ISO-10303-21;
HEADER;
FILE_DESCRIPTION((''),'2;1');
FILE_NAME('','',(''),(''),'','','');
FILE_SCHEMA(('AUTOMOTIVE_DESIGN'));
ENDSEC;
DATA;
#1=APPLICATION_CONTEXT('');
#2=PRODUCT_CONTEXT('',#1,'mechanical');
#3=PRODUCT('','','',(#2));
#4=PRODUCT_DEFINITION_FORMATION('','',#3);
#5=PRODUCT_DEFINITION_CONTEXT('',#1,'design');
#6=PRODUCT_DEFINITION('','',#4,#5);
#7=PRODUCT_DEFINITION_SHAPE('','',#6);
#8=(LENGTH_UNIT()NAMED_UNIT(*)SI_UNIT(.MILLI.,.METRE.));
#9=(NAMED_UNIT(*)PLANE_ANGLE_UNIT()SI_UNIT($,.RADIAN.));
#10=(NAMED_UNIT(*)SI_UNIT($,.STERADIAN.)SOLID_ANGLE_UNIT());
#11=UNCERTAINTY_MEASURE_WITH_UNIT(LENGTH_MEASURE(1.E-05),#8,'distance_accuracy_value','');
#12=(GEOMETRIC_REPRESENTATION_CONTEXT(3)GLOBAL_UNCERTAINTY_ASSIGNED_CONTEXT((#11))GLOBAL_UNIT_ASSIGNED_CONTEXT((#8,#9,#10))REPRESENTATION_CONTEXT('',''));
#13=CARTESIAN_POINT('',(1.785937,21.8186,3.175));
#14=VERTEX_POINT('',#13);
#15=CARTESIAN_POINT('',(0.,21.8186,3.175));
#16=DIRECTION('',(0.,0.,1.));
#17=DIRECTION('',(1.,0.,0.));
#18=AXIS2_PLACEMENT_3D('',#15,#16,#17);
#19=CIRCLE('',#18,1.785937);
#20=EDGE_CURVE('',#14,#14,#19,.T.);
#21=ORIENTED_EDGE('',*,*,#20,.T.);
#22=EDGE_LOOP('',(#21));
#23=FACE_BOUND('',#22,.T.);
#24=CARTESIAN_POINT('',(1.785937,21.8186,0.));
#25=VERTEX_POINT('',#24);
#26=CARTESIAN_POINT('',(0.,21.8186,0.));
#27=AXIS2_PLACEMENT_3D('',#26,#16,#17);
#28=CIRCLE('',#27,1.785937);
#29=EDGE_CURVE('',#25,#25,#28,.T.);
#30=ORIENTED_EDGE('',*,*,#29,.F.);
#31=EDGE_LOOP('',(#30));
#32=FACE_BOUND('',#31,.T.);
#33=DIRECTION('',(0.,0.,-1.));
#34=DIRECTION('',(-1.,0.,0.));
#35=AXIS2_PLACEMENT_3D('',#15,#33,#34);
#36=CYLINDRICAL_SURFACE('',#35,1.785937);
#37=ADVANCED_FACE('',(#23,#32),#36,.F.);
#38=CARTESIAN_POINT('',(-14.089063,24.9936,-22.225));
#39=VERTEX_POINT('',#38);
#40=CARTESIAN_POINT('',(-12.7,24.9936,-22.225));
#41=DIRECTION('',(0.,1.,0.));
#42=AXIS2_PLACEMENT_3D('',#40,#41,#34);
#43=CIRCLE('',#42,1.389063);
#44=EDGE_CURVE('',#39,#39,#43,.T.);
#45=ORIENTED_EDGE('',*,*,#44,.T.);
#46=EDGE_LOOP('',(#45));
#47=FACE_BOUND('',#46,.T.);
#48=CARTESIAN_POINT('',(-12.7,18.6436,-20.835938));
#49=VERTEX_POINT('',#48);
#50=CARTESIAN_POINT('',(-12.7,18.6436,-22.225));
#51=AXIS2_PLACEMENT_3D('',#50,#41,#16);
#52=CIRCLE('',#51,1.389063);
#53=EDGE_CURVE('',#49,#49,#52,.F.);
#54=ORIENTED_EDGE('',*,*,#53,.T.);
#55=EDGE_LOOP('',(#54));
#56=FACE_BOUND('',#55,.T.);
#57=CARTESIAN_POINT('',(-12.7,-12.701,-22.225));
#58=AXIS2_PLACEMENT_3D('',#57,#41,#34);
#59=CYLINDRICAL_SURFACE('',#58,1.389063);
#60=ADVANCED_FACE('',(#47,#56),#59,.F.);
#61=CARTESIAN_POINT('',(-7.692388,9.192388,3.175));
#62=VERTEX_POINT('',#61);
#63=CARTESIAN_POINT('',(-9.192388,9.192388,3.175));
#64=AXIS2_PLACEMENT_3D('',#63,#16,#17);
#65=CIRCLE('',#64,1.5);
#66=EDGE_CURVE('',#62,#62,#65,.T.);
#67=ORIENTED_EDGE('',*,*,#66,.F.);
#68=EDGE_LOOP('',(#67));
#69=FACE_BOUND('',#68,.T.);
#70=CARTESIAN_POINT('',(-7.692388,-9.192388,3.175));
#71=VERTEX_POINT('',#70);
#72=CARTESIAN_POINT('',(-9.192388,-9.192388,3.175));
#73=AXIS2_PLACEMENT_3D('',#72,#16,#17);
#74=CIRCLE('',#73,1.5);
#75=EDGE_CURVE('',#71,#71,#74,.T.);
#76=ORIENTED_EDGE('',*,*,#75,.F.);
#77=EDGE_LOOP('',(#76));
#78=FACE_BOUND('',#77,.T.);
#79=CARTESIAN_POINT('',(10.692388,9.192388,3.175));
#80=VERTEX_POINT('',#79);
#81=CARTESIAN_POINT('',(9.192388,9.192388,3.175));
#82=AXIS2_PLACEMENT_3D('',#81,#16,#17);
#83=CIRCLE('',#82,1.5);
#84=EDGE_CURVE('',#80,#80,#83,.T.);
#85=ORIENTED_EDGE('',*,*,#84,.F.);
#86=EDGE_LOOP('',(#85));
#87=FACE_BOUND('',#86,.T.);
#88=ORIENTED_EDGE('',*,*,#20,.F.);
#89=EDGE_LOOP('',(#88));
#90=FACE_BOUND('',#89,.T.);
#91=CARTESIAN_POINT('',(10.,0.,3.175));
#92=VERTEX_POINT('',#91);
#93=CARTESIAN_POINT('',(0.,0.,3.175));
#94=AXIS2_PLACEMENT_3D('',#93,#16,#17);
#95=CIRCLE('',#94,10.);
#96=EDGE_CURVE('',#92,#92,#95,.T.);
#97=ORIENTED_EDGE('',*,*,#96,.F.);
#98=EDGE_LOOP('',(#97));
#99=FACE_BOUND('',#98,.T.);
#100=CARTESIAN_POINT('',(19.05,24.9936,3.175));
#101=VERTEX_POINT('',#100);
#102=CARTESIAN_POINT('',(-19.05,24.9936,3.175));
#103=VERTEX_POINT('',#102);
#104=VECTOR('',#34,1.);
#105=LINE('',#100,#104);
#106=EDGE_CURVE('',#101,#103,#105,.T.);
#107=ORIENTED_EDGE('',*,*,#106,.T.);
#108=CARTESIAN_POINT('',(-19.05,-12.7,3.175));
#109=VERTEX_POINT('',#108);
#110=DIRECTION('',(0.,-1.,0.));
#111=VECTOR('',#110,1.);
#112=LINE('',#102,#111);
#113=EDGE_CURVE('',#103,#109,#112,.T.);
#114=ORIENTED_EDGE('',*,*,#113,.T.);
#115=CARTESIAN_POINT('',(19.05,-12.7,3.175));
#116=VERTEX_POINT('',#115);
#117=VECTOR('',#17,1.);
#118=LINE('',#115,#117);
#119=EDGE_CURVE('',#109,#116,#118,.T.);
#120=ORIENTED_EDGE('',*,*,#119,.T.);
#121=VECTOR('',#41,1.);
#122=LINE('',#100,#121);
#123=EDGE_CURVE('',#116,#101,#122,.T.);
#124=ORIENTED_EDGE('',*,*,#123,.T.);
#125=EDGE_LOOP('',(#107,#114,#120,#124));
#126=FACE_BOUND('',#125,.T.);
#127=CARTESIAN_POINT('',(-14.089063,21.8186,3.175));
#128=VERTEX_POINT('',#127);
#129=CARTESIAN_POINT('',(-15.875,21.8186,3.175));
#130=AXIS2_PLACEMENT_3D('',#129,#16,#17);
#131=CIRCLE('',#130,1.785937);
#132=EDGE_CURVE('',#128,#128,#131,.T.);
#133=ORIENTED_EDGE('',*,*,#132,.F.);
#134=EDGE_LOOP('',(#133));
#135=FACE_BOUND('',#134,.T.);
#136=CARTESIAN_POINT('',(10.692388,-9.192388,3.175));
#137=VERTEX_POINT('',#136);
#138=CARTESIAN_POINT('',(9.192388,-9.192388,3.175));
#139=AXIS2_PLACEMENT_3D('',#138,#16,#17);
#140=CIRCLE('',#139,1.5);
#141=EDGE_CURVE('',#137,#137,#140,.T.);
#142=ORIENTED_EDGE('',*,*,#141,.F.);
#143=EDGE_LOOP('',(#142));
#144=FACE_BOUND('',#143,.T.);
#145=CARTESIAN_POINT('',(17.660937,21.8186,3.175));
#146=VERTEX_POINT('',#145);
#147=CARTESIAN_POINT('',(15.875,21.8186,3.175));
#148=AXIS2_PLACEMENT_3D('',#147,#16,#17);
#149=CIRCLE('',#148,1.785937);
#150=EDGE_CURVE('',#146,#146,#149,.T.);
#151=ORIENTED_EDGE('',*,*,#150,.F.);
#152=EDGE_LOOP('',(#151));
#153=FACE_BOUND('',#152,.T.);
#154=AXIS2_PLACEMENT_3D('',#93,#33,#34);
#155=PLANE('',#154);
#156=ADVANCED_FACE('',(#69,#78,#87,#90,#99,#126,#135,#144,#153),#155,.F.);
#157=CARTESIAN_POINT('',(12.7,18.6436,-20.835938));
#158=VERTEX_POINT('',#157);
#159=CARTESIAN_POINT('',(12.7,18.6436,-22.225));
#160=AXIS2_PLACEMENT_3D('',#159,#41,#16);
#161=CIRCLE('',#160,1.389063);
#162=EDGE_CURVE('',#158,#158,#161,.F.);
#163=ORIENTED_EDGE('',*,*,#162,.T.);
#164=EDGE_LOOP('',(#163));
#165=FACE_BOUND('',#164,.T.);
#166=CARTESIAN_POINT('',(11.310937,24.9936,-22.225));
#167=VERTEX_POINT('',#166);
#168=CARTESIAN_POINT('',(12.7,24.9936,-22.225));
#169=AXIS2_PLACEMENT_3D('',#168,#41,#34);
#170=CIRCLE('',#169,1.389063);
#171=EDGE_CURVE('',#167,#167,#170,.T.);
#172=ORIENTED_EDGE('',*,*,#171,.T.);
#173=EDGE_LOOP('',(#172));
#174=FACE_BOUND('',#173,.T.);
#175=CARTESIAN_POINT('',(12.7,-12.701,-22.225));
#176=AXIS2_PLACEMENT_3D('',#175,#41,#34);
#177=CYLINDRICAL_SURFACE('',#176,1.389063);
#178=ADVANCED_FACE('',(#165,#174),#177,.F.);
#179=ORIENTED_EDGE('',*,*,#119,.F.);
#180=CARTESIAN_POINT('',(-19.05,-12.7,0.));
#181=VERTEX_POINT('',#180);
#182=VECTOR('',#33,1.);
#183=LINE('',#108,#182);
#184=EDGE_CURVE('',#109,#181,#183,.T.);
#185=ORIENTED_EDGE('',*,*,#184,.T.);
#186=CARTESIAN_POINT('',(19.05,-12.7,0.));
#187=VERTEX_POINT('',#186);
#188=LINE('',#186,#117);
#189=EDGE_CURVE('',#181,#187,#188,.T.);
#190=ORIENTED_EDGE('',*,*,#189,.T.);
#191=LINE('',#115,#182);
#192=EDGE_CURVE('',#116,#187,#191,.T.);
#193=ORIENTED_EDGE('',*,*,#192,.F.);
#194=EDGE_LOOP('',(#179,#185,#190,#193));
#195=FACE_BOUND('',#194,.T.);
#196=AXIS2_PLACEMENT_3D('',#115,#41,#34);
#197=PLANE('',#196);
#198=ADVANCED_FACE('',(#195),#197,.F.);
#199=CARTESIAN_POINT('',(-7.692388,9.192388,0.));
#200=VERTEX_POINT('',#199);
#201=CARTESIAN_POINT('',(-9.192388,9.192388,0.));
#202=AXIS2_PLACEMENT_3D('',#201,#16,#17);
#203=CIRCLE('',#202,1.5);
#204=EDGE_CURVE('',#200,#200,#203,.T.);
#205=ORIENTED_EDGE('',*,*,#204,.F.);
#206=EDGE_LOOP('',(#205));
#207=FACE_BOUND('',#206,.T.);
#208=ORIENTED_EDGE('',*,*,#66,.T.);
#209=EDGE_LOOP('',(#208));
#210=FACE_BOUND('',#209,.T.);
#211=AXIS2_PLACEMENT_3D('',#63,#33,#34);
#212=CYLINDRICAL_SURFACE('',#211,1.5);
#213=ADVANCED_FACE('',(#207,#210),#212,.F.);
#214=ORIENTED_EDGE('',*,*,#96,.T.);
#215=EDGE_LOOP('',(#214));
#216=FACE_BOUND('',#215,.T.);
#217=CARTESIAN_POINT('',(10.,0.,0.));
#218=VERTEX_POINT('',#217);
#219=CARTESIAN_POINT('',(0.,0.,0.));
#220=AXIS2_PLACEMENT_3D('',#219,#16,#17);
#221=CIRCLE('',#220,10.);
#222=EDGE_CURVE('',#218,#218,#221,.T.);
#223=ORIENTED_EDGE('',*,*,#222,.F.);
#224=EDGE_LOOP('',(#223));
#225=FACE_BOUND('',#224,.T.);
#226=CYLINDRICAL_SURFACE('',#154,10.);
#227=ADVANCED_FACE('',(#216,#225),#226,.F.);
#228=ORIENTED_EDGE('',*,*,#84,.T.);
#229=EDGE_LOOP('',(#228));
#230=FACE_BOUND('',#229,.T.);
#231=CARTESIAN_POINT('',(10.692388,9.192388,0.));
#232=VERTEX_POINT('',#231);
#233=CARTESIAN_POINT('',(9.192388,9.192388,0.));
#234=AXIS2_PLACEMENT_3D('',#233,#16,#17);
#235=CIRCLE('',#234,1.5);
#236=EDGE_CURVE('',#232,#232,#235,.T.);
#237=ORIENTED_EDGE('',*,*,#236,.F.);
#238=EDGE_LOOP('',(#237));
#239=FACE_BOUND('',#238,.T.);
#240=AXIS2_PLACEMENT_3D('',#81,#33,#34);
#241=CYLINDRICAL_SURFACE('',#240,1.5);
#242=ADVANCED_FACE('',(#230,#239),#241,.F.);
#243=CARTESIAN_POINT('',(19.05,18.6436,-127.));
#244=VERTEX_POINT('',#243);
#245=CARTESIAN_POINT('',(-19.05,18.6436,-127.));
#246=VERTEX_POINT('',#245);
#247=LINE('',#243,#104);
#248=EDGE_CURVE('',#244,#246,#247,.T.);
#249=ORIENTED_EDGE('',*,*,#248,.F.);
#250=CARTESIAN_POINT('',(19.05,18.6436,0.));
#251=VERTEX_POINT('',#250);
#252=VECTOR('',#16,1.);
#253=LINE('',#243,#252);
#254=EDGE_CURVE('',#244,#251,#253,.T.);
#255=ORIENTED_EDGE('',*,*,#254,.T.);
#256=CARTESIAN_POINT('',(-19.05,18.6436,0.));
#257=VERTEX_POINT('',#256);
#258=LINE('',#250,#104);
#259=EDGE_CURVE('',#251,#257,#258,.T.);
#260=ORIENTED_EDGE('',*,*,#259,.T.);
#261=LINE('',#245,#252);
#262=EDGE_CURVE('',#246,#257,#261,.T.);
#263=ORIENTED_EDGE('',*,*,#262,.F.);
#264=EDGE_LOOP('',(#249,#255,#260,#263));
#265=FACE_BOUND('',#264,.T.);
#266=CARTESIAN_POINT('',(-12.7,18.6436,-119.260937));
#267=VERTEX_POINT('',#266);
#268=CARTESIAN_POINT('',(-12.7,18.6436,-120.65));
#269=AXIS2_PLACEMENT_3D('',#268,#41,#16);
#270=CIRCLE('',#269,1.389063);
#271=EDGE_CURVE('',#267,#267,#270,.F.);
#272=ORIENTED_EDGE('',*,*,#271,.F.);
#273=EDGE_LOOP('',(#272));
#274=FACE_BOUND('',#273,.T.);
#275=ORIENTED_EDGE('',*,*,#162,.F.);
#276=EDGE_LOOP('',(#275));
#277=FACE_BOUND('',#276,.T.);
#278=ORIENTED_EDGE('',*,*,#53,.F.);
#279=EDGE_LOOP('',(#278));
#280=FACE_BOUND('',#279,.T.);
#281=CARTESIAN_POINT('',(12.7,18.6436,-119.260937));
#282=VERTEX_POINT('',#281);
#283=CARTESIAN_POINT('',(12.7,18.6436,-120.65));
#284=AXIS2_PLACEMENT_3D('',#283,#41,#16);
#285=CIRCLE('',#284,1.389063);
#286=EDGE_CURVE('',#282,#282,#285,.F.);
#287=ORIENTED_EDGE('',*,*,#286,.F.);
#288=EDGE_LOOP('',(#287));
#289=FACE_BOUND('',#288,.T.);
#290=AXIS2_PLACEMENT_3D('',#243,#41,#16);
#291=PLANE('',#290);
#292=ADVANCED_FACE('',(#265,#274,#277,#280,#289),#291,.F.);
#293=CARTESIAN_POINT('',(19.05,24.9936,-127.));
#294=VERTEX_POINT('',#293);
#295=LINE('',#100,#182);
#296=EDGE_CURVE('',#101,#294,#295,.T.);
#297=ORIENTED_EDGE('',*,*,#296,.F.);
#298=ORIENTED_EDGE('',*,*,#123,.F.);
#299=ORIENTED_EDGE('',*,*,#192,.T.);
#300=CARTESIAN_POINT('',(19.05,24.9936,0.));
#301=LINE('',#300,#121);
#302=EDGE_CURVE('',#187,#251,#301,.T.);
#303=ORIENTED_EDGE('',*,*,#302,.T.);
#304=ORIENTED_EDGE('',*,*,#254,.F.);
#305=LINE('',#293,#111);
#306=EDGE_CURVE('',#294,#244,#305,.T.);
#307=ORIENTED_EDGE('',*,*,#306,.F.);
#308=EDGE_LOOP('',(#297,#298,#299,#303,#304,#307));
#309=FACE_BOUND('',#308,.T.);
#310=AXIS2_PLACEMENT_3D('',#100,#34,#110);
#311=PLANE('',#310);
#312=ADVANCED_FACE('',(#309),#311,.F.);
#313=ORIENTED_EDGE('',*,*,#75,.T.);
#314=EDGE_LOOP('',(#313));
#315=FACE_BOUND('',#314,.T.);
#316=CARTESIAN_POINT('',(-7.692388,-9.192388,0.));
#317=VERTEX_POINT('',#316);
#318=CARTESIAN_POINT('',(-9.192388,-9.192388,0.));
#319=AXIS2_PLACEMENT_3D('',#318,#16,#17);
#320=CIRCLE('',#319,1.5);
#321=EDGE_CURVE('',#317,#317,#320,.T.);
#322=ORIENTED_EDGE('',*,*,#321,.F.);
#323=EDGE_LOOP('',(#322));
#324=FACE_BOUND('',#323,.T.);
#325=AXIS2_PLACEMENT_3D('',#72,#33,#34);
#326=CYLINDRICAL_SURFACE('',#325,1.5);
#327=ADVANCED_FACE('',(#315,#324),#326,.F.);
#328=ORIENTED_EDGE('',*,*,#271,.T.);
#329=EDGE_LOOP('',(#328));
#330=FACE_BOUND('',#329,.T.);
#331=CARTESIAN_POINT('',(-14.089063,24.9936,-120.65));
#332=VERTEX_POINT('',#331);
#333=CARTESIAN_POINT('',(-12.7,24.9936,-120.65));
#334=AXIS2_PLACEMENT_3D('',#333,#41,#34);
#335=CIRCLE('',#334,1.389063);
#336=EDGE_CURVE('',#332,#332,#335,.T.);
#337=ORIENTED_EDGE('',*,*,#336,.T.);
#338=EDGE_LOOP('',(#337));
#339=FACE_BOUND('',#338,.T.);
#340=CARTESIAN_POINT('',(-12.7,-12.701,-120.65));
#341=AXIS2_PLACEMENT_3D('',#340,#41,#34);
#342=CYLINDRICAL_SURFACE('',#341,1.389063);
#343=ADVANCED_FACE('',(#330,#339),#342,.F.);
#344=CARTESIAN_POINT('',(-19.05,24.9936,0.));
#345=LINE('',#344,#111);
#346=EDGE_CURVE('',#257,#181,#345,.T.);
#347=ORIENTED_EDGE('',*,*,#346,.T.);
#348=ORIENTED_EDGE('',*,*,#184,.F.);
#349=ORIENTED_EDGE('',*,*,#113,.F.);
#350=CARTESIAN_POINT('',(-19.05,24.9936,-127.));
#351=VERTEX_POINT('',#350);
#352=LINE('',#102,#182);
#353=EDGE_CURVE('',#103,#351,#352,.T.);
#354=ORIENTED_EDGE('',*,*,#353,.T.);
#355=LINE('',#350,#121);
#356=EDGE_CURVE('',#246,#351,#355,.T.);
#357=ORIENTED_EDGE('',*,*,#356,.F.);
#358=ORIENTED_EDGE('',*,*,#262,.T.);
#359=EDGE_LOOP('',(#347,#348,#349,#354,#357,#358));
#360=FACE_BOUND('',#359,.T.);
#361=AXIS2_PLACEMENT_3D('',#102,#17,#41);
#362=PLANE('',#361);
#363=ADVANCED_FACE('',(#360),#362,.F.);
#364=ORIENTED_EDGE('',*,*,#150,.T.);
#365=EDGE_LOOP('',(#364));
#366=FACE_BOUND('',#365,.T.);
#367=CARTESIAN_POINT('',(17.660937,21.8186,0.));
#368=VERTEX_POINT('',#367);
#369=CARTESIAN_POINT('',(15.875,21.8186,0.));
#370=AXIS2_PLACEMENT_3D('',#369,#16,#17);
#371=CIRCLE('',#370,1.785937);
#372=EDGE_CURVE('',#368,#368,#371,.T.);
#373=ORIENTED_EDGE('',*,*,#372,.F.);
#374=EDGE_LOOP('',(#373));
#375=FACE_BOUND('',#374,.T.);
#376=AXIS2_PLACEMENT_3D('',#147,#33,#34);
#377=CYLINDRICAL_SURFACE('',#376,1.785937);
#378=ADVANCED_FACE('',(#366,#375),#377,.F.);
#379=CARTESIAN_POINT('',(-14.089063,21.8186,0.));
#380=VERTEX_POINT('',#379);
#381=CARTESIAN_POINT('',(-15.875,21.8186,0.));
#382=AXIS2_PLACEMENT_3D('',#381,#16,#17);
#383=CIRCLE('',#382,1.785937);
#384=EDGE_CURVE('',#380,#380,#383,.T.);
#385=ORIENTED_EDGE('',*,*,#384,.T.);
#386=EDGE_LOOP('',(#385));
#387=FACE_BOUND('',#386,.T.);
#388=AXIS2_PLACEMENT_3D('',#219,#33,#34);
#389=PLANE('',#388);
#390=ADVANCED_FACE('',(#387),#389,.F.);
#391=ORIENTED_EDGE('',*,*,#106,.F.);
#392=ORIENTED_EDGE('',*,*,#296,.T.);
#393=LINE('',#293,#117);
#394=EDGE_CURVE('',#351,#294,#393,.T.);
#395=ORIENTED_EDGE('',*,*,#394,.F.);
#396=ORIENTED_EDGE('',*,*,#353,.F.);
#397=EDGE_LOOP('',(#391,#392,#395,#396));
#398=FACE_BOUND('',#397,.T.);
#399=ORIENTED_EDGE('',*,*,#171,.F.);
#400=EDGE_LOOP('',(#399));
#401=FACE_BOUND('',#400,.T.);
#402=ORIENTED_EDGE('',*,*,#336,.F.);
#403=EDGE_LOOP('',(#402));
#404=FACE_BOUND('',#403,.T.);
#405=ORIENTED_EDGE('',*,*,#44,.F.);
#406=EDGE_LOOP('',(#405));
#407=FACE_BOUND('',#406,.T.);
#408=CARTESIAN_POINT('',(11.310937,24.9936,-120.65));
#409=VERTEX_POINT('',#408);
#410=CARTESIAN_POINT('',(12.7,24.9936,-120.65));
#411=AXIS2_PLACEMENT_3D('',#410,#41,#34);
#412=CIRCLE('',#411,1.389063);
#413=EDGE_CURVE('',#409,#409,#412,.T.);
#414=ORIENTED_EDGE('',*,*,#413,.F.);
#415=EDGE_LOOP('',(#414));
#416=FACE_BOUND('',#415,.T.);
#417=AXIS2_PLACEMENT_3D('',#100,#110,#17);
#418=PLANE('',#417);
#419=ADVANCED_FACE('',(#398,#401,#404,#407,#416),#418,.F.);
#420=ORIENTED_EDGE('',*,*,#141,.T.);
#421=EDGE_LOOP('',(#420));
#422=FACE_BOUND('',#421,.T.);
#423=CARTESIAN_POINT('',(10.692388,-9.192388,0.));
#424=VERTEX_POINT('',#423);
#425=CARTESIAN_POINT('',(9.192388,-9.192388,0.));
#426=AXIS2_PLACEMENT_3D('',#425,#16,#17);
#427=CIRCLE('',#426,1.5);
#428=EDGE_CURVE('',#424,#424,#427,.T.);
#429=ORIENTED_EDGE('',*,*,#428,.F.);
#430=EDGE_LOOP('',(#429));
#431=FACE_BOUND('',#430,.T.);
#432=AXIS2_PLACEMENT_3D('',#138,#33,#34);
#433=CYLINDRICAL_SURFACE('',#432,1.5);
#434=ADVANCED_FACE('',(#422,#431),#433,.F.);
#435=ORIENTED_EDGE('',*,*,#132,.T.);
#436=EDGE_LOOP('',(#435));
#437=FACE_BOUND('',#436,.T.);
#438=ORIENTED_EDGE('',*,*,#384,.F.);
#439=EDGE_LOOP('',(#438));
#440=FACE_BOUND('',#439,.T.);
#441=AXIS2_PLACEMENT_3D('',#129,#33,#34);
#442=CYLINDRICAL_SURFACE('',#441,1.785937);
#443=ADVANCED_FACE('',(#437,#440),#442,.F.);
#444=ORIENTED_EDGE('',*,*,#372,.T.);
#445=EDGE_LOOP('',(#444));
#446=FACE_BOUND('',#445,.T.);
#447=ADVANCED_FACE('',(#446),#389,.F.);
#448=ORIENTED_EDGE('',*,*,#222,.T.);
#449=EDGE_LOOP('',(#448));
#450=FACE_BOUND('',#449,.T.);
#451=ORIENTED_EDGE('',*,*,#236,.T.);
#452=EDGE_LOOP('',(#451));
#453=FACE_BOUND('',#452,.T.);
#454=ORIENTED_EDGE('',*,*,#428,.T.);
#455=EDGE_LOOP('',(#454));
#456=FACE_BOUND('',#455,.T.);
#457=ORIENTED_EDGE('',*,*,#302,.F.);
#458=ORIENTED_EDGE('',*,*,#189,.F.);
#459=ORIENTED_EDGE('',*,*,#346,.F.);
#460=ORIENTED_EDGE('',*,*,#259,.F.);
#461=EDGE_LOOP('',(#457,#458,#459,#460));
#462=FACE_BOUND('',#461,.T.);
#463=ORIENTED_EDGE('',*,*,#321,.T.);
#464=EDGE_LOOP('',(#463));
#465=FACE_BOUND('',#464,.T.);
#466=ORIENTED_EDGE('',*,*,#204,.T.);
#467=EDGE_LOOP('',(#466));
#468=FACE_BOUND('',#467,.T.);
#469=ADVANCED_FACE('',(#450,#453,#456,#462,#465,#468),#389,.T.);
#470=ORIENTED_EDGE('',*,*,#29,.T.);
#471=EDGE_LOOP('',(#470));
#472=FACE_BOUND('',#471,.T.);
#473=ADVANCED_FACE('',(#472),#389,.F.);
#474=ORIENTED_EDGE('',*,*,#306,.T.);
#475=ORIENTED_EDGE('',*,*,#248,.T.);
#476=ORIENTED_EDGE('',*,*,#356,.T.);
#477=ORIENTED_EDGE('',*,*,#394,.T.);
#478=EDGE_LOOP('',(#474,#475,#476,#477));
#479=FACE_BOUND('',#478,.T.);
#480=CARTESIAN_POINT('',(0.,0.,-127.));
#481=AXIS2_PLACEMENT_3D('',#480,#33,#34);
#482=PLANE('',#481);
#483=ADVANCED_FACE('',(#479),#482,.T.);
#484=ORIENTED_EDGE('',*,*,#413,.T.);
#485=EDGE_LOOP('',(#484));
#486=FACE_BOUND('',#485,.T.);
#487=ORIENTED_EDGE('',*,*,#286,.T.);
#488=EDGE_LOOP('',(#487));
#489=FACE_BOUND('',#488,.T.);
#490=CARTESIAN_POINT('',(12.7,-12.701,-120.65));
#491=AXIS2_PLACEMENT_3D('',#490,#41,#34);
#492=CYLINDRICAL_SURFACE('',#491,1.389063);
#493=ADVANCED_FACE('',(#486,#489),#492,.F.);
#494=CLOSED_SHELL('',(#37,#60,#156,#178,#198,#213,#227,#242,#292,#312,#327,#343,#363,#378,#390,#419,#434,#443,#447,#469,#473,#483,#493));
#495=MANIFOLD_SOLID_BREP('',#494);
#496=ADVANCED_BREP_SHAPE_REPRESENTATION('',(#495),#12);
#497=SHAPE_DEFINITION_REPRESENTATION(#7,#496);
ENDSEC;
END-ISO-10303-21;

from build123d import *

# Parameters (mm, degrees)
SKETCH1_W           = 38.1
SKETCH1_H           = 37.6936
SKETCH1_R           = 10
SKETCH1_R_2         = 1.5
SKETCH1_R_3         = 1.7859375
BOSS_EXTRUDE1_DEPTH = 3.175
SKETCH2_W           = 38.1
SKETCH2_H           = 6.35
BOSS_EXTRUDE2_DEPTH = 127
CUT_EXTRUDE1_REACH  = 135.838
SKETCH3_R           = 1.3890625


with BuildPart() as part:
    # Sketch1 → Boss-Extrude1 (new body)
    with BuildSketch(Plane.XY):
        with Locations((0, 6.1468)):
            Rectangle(SKETCH1_W, SKETCH1_H)
        Circle(SKETCH1_R, mode=Mode.SUBTRACT)
        with Locations((-9.192388155, 9.192388155)):
            Circle(SKETCH1_R_2, mode=Mode.SUBTRACT)
        with Locations((9.192388155, 9.192388155)):
            Circle(SKETCH1_R_2, mode=Mode.SUBTRACT)
        with Locations((9.192388155, -9.192388155)):
            Circle(SKETCH1_R_2, mode=Mode.SUBTRACT)
        with Locations((-9.192388155, -9.192388155)):
            Circle(SKETCH1_R_2, mode=Mode.SUBTRACT)
        with Locations((15.875, 21.8186)):
            Circle(SKETCH1_R_3, mode=Mode.SUBTRACT)
        with Locations((0, 21.8186)):
            Circle(SKETCH1_R_3, mode=Mode.SUBTRACT)
        with Locations((-15.875, 21.8186)):
            Circle(SKETCH1_R_3, mode=Mode.SUBTRACT)
    extrude(amount=BOSS_EXTRUDE1_DEPTH)

    # Sketch2 → Boss-Extrude2 (add)
    with BuildSketch(Plane(origin=(0, 0, 0), x_dir=(-1, 0, 0), z_dir=(0, 0, -1))):
        with Locations((0, 21.8186)):
            Rectangle(SKETCH2_W, SKETCH2_H)
    extrude(amount=BOSS_EXTRUDE2_DEPTH)

    # Sketch3 → Cut-Extrude1 (cut, up to next)
    with BuildSketch(Plane(origin=(0, 24.9936, 0), x_dir=(1, 0, 0), z_dir=(0, 1, 0)), mode=Mode.PRIVATE) as cut_extrude1_sk1:
        with Locations(Location((-12.7, 120.65, 0), (0, 0, 180))):
            Circle(SKETCH3_R)
    cut_extrude1_tool1 = extrude(cut_extrude1_sk1.sketch, amount=-CUT_EXTRUDE1_REACH, mode=Mode.PRIVATE) & part.part
    # Sketch3 → Cut-Extrude1 (cut, up to next)
    with BuildSketch(Plane(origin=(0, 24.9936, 0), x_dir=(1, 0, 0), z_dir=(0, 1, 0)), mode=Mode.PRIVATE) as cut_extrude1_sk2:
        with Locations(Location((12.7, 120.65, 0), (0, 0, 180))):
            Circle(SKETCH3_R)
    cut_extrude1_tool2 = extrude(cut_extrude1_sk2.sketch, amount=-CUT_EXTRUDE1_REACH, mode=Mode.PRIVATE) & part.part
    # Sketch3 → Cut-Extrude1 (cut, up to next)
    with BuildSketch(Plane(origin=(0, 24.9936, 0), x_dir=(1, 0, 0), z_dir=(0, 1, 0)), mode=Mode.PRIVATE) as cut_extrude1_sk3:
        with Locations(Location((-12.7, 22.225, 0), (0, 0, 180))):
            Circle(SKETCH3_R)
    cut_extrude1_tool3 = extrude(cut_extrude1_sk3.sketch, amount=-CUT_EXTRUDE1_REACH, mode=Mode.PRIVATE) & part.part
    # Sketch3 → Cut-Extrude1 (cut, up to next)
    with BuildSketch(Plane(origin=(0, 24.9936, 0), x_dir=(1, 0, 0), z_dir=(0, 1, 0)), mode=Mode.PRIVATE) as cut_extrude1_sk4:
        with Locations(Location((12.7, 22.225, 0), (0, 0, 180))):
            Circle(SKETCH3_R)
    cut_extrude1_tool4 = extrude(cut_extrude1_sk4.sketch, amount=-CUT_EXTRUDE1_REACH, mode=Mode.PRIVATE) & part.part
    add(cut_extrude1_tool1.solids().sort_by_distance((-12.7, 24.9936, -120.65))[0], mode=Mode.SUBTRACT)
    add(cut_extrude1_tool2.solids().sort_by_distance((12.7, 24.9936, -120.65))[0], mode=Mode.SUBTRACT)
    add(cut_extrude1_tool3.solids().sort_by_distance((-12.7, 24.9936, -22.225))[0], mode=Mode.SUBTRACT)
    add(cut_extrude1_tool4.solids().sort_by_distance((12.7, 24.9936, -22.225))[0], mode=Mode.SUBTRACT)


solid = part.part
